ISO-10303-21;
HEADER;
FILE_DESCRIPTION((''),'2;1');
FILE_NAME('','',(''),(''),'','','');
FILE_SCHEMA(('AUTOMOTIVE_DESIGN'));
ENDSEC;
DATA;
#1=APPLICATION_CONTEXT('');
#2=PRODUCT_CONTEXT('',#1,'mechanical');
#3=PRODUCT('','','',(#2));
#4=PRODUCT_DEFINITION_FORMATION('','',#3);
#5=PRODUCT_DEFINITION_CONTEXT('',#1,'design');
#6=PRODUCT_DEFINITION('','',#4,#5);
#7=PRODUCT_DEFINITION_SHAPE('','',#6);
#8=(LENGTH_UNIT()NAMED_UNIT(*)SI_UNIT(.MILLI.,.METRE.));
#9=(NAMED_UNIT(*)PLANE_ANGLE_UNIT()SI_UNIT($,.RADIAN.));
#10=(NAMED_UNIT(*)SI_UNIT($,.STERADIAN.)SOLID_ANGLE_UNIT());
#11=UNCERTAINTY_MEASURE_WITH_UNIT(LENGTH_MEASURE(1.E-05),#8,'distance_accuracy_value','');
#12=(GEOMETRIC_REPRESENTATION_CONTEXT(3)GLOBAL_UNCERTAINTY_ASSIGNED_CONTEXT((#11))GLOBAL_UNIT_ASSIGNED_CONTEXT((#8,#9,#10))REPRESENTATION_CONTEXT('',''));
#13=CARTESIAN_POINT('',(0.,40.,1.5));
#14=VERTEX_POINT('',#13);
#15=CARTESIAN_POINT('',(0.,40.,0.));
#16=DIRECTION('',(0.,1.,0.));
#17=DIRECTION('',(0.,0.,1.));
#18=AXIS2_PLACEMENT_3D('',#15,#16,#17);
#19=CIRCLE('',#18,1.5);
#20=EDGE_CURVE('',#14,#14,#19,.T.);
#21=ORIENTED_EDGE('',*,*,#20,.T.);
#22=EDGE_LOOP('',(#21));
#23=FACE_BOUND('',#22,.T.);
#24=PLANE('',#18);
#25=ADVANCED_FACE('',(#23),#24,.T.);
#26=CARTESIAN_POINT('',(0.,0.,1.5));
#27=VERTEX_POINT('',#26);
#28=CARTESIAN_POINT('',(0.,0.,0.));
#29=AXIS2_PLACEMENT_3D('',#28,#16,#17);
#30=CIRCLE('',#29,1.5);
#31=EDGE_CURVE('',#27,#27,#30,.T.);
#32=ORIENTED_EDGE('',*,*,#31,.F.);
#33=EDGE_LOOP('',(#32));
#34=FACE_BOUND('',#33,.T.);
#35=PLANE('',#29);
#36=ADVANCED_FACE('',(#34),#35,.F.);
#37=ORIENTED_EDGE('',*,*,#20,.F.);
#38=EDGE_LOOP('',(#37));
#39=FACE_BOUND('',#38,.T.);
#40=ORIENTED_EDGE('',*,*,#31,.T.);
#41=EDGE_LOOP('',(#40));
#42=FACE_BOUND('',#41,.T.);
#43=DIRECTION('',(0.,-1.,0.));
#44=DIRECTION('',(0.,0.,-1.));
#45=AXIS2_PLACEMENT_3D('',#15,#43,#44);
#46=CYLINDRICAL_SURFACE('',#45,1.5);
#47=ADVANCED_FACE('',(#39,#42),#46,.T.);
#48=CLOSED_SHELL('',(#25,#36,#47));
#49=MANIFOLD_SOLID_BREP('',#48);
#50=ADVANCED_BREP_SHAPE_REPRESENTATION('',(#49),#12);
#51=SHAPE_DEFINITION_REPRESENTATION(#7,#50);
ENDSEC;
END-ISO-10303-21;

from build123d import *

# Parameters (mm, degrees)
SKETCH1_R           = 1.5
BOSS_EXTRUDE1_DEPTH = 40


with BuildPart() as part:
    # Sketch1 → Boss-Extrude1 (new body)
    with BuildSketch(Plane(origin=(0, 0, 0), x_dir=(1, 0, 0), z_dir=(0, 1, 0))):
        with Locations(Location((0, 0, 0), (0, 0, 270))):  # turned: the seam where the file's is
            Circle(SKETCH1_R)
    extrude(amount=BOSS_EXTRUDE1_DEPTH)


solid = part.part
